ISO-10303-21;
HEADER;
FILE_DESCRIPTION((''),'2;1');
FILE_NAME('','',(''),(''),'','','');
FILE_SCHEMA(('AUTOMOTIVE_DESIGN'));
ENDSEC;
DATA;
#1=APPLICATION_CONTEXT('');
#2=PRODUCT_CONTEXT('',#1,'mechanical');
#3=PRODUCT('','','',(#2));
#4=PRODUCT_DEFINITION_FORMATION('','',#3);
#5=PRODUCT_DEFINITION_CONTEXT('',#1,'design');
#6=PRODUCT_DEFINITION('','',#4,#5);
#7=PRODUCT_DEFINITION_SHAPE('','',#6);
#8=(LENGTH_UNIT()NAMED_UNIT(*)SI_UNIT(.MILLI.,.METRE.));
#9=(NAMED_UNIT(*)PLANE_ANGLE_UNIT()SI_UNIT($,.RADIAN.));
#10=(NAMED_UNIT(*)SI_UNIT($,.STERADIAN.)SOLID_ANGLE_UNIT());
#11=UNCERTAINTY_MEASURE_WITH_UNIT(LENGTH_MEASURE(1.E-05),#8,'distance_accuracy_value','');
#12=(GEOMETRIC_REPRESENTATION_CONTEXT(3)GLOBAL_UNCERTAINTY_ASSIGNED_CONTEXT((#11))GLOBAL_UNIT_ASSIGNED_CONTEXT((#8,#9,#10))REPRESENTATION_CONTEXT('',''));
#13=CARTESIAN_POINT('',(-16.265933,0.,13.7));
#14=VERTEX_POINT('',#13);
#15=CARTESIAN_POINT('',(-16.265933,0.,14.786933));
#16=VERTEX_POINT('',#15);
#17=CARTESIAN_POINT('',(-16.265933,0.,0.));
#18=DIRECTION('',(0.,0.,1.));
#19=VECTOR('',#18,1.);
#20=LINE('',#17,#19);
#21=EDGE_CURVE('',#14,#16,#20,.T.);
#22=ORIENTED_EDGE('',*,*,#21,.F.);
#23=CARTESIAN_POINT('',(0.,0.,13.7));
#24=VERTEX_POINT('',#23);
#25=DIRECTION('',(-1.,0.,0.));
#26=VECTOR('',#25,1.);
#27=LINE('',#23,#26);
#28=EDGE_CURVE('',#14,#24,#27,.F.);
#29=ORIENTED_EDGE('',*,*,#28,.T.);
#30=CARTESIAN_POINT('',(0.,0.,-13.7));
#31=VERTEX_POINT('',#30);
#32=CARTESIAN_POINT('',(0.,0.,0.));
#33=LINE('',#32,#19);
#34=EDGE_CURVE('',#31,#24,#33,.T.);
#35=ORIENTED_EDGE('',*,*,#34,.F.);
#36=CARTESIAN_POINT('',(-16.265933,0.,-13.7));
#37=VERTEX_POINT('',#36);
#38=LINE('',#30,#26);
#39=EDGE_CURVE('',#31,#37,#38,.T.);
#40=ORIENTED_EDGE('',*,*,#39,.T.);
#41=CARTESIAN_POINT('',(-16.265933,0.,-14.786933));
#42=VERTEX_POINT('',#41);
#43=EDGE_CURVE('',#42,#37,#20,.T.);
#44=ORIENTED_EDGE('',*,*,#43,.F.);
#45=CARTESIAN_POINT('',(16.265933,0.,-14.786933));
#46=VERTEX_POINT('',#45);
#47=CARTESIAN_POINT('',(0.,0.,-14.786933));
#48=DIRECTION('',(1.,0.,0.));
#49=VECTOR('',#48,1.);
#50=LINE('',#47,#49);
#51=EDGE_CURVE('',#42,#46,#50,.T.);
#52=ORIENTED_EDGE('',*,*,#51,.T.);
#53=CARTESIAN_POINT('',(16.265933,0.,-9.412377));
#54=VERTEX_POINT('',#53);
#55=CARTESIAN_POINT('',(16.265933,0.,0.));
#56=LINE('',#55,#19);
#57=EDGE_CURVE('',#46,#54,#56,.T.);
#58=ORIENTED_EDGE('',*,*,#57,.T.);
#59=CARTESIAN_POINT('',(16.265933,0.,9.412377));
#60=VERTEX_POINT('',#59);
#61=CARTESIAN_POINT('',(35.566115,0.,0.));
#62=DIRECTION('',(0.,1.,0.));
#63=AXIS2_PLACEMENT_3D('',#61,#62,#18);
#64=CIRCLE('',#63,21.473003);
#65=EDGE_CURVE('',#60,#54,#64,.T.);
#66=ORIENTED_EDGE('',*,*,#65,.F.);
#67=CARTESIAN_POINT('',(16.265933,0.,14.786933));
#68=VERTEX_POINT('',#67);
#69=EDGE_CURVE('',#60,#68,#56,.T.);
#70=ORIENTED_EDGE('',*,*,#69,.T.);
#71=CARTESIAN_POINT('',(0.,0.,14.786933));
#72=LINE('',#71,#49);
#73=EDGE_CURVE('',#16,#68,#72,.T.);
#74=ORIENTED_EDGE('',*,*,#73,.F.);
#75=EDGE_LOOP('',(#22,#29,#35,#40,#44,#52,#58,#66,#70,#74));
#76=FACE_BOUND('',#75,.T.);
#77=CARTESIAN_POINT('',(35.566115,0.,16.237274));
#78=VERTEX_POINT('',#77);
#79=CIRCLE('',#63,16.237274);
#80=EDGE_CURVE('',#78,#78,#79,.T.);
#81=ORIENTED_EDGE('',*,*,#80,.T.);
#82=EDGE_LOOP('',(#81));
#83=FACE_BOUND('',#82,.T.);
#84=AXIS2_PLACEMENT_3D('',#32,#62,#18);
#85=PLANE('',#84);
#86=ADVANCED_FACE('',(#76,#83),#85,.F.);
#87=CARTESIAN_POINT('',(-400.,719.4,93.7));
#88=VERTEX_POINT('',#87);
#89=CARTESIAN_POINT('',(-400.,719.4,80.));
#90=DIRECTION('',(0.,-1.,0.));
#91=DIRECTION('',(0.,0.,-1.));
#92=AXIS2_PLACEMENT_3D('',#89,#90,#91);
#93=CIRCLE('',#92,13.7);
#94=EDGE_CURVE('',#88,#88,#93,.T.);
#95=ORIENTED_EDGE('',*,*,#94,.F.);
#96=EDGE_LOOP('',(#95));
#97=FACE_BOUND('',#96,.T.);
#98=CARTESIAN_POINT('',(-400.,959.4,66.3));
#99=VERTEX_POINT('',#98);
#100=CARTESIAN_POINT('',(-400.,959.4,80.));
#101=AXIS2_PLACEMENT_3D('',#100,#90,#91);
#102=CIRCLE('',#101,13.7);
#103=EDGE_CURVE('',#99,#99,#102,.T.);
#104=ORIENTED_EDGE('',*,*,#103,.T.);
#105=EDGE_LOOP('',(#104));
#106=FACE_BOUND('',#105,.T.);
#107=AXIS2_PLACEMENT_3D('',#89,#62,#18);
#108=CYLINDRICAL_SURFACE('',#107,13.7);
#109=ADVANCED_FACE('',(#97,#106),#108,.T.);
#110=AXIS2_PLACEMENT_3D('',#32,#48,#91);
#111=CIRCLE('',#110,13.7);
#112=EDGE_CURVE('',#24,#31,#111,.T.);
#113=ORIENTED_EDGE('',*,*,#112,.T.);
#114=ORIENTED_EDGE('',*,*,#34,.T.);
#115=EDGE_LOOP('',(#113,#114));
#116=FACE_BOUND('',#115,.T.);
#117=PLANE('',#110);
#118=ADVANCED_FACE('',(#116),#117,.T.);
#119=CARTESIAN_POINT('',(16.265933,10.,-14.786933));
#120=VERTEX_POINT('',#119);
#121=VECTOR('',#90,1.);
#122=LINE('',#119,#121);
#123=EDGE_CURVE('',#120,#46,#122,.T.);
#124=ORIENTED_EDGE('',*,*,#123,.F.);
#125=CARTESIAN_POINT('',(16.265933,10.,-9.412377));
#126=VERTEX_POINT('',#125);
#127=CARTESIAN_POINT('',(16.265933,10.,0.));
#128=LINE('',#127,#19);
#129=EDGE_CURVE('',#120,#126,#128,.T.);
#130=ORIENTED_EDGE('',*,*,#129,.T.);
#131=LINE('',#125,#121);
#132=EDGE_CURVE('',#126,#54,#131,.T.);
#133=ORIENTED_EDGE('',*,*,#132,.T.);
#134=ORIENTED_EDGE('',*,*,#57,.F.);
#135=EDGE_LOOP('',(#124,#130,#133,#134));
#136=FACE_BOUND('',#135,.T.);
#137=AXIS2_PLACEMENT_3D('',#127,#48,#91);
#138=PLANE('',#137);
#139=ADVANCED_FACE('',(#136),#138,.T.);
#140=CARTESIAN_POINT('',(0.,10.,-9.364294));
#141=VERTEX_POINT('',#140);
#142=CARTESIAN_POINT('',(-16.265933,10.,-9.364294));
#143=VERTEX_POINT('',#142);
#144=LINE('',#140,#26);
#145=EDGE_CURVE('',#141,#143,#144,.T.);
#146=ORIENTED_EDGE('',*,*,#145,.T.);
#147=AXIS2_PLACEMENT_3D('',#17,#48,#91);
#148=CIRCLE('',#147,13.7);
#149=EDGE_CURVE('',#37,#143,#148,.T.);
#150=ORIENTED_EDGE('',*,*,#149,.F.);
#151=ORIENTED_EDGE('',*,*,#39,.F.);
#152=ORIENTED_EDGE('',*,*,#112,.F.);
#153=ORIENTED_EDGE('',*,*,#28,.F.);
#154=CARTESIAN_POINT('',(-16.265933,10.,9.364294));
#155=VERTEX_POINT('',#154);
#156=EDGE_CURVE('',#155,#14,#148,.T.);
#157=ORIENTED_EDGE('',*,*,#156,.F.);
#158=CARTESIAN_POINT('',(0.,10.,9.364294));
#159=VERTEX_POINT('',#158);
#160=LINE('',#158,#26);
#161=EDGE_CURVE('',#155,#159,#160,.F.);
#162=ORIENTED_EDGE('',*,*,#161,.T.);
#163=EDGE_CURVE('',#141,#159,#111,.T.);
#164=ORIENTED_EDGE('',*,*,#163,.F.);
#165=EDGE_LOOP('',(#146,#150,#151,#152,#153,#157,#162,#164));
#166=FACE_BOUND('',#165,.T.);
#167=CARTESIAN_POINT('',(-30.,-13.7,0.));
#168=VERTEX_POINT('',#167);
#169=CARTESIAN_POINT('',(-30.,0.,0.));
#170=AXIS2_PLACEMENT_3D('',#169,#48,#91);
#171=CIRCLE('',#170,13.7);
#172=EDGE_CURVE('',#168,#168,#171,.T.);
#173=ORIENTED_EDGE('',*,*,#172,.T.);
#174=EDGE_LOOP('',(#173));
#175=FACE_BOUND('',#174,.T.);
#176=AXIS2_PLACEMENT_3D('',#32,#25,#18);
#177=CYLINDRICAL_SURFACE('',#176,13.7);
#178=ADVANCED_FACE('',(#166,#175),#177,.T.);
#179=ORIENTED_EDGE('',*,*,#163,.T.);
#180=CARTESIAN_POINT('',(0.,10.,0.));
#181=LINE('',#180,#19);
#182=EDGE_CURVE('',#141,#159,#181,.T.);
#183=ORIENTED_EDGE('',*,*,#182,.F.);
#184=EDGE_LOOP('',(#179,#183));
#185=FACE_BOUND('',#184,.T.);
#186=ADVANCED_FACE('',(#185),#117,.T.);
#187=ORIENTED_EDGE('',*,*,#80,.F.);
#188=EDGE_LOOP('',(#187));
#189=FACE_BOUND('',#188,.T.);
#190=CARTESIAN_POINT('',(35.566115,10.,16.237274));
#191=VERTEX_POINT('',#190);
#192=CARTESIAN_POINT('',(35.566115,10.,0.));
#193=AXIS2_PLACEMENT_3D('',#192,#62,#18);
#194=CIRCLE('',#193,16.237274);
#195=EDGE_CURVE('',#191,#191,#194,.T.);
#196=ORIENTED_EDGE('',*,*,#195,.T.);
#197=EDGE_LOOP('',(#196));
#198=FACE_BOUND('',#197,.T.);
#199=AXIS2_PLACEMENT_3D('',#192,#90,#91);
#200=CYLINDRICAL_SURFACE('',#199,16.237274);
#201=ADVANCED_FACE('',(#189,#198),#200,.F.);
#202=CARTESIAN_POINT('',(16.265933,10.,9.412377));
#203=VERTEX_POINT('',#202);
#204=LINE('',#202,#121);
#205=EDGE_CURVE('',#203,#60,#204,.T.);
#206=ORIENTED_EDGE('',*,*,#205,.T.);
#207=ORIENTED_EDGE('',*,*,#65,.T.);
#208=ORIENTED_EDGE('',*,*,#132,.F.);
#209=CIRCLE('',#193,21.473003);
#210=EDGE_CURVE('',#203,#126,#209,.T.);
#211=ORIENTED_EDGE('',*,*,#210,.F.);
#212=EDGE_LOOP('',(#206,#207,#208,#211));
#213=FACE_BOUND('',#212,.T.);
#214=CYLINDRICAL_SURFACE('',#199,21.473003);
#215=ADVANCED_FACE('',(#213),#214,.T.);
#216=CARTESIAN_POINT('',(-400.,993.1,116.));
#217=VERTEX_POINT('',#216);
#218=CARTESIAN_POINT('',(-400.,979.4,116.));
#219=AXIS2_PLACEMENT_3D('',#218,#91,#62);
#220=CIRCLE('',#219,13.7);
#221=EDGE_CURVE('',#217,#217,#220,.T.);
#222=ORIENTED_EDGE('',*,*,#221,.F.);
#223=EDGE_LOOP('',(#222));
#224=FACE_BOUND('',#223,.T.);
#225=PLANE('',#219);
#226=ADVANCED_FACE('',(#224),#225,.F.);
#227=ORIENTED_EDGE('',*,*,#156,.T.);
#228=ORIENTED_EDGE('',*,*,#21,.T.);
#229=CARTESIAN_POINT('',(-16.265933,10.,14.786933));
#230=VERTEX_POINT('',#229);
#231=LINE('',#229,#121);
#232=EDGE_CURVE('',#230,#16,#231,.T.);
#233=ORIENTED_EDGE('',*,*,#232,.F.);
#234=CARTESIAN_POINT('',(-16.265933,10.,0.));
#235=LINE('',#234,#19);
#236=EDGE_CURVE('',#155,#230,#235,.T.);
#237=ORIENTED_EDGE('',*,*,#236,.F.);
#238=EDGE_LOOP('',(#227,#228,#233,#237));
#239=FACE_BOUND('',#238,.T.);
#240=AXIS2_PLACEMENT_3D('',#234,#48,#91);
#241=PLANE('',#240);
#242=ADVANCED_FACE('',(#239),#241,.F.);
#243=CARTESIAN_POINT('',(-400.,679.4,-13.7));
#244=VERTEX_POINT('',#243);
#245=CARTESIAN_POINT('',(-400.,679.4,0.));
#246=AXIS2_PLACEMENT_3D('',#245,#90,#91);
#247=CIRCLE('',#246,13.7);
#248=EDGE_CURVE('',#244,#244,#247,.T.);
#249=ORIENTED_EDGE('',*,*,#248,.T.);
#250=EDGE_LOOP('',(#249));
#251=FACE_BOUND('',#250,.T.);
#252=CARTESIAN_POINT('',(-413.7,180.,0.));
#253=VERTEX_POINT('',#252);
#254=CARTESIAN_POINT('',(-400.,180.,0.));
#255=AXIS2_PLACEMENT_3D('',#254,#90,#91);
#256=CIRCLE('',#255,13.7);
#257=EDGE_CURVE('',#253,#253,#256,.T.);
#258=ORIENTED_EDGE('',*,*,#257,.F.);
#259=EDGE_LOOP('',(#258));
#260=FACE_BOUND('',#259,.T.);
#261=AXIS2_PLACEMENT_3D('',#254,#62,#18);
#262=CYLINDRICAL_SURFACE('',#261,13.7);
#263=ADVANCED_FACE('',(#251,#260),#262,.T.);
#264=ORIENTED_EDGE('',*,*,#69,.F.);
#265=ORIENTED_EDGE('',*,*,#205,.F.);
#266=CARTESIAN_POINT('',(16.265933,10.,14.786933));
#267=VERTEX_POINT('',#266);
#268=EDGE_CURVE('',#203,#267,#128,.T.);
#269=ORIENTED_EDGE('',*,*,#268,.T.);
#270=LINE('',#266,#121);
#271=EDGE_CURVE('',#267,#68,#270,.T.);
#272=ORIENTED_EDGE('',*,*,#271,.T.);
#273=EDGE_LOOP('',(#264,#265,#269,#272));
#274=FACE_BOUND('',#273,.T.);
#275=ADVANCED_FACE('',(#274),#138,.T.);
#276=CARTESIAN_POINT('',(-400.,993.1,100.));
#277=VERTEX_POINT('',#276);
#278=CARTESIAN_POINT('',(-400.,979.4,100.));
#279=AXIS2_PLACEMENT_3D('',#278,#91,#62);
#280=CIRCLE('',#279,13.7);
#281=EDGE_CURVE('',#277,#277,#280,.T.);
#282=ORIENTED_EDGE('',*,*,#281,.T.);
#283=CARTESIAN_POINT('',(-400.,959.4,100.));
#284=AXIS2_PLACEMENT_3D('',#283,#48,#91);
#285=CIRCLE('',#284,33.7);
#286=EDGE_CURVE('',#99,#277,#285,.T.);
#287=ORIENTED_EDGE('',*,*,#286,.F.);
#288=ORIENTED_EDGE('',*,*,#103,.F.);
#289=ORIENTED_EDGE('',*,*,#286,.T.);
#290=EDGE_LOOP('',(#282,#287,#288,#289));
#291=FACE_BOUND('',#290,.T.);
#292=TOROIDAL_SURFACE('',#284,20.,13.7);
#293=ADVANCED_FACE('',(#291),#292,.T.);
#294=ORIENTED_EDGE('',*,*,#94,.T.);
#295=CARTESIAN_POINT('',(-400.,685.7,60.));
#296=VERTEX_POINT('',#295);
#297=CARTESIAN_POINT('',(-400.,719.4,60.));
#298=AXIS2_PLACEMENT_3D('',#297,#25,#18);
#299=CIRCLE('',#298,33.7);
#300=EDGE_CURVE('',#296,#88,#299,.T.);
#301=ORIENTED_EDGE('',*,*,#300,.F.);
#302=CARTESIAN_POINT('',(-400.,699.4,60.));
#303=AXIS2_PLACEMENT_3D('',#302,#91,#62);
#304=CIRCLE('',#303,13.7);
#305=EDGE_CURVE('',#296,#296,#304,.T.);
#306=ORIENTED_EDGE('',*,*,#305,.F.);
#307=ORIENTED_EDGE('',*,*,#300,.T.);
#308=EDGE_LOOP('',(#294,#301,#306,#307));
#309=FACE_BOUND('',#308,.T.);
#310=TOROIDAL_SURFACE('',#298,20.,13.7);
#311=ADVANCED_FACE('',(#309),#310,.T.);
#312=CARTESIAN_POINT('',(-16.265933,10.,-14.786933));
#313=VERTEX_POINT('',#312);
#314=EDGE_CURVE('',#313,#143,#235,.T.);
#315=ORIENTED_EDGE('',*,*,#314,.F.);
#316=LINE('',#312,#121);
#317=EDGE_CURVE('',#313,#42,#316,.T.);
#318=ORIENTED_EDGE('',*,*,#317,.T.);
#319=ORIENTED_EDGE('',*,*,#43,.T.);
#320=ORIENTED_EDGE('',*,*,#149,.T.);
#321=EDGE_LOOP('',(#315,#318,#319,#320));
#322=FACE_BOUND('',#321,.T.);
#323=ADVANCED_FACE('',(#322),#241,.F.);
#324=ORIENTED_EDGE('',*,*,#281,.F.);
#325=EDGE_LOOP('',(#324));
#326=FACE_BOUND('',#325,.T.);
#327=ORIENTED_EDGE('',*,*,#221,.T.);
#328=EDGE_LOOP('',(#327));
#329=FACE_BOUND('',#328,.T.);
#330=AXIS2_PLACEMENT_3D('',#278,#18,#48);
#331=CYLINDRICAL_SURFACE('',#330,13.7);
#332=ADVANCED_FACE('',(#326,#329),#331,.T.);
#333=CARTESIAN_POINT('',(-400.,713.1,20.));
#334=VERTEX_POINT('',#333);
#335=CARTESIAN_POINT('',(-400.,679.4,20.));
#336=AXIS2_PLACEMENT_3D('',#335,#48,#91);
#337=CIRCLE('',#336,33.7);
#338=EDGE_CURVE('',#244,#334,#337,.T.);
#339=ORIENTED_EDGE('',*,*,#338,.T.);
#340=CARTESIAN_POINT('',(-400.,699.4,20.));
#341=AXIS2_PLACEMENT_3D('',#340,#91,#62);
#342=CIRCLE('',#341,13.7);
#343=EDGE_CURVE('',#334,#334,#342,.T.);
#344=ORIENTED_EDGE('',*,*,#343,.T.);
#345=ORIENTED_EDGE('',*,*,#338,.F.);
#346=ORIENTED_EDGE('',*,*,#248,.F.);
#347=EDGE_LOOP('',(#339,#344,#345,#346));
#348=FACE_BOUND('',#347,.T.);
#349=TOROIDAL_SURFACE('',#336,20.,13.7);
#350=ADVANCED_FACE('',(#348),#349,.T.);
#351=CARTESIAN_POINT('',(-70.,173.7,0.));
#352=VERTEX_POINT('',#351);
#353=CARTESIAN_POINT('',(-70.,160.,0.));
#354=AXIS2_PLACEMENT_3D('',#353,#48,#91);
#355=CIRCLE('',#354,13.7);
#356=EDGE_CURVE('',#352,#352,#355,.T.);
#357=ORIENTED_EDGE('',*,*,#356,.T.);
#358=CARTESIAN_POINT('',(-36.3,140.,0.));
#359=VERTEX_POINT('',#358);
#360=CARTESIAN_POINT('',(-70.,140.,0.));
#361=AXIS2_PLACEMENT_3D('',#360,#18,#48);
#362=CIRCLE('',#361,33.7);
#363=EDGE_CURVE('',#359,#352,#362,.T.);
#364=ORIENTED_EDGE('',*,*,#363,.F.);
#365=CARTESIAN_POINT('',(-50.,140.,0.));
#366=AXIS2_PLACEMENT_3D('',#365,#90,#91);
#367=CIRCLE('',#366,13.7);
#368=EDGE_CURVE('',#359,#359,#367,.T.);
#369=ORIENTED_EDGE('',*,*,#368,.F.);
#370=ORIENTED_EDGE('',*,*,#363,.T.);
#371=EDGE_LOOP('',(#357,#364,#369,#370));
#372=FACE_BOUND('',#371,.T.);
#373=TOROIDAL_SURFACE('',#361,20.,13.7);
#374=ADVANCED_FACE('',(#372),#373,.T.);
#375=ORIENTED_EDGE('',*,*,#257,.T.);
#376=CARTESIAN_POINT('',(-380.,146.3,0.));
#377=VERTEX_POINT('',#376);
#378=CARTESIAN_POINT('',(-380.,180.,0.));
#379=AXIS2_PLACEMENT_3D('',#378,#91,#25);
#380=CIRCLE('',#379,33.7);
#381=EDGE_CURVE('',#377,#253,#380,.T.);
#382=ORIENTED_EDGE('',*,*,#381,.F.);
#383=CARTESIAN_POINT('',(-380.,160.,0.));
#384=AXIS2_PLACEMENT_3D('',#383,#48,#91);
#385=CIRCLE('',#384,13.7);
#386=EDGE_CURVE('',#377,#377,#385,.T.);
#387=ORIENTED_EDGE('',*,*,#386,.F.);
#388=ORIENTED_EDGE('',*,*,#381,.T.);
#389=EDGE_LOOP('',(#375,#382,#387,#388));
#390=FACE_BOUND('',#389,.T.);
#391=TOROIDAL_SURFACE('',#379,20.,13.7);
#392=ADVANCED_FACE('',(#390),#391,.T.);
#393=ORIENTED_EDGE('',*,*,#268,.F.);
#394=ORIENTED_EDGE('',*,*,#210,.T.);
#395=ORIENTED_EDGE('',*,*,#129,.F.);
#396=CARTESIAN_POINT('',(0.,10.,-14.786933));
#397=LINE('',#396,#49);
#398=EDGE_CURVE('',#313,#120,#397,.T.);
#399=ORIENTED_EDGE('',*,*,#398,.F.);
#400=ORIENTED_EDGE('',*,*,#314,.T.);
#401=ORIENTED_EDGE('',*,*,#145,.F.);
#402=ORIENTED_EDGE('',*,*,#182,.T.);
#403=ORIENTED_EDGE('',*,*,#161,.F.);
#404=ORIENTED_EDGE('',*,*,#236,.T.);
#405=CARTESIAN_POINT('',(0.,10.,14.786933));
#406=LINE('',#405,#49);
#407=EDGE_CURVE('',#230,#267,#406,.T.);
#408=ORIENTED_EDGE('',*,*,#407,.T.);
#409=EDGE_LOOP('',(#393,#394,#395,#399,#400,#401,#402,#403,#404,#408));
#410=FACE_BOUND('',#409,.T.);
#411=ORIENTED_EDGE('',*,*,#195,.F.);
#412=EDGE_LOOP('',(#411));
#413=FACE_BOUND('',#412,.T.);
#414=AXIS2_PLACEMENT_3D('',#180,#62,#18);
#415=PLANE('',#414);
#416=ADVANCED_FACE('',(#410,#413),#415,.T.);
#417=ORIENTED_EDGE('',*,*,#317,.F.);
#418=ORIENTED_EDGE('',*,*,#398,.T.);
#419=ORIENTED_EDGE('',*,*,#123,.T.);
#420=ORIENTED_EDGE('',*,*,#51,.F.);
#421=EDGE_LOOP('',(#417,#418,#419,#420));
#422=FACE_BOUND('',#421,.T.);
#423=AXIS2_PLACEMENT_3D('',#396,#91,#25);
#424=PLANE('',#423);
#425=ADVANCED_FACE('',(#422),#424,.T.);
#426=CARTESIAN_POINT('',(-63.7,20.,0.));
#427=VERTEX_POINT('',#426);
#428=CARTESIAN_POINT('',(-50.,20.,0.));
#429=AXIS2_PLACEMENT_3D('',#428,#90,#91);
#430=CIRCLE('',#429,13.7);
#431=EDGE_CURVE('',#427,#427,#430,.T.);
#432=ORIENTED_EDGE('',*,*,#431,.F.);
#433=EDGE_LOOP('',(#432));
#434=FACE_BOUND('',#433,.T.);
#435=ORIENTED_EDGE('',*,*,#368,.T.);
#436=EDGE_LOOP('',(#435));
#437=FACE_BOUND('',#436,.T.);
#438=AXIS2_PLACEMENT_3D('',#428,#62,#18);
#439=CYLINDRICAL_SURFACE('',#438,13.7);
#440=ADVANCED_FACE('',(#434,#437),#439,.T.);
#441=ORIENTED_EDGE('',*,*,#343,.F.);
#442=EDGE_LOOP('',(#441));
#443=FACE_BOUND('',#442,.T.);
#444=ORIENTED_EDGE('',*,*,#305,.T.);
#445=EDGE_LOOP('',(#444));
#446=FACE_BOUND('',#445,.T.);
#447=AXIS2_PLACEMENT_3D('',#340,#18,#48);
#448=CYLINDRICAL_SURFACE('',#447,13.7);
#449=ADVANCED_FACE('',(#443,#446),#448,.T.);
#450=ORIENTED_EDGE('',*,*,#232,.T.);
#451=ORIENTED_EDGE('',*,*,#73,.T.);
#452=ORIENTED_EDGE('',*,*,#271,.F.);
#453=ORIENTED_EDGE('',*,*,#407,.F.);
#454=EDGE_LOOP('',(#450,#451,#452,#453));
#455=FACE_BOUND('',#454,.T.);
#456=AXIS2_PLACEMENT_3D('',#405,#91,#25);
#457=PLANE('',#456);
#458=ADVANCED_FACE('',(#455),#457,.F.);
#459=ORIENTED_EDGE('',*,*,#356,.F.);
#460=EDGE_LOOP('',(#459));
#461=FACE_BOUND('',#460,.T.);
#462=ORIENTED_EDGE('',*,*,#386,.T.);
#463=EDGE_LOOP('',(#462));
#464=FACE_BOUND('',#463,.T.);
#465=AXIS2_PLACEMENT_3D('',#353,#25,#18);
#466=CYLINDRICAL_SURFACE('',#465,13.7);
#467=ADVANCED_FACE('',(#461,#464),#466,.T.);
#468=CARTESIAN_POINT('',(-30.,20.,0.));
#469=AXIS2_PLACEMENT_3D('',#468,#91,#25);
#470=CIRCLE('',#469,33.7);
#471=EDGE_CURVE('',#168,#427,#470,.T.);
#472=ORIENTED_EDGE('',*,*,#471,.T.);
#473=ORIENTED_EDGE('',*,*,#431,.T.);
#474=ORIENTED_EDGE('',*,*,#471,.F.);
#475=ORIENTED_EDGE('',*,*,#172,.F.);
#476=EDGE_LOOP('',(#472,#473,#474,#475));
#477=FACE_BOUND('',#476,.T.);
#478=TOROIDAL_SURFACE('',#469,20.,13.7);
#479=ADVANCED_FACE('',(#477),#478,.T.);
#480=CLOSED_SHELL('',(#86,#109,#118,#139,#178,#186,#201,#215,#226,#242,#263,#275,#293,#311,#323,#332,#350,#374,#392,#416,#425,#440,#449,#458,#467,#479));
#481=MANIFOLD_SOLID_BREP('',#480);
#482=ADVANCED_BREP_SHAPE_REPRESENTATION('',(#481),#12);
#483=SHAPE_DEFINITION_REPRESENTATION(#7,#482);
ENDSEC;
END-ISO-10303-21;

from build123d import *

# Parameters (mm, degrees)
CROQUIS1_R              = 13.7
CROQUIS2_R              = 21.4730032
CROQUIS2_R_2            = 16.237273766
SALIENTE_EXTRUIR1_DEPTH = 10


with BuildPart() as part:
    # Barrer1: sweep along a curve in space
    with BuildLine() as barrer1_path:
        Line((0, 0, 0), (-30, 0, 0))
        ThreePointArc((-30, 0, 0), (-44.142135624, 5.857864376, 0), (-50, 20, 0))
        Line((-50, 20, 0), (-50, 140, 0))
        ThreePointArc((-50, 140, 0), (-55.857864376, 154.142135624, 0), (-70, 160, 0))
        Line((-70, 160, 0), (-380, 160, 0))
        ThreePointArc((-380, 160, 0), (-394.142135624, 165.857864376, 0), (-400, 180, 0))
        Line((-400, 180, 0), (-400, 679.4, 0))
        ThreePointArc((-400, 679.4, 0), (-400, 693.542135624, 5.857864376), (-400, 699.4, 20))
        Line((-400, 699.4, 20), (-400, 699.4, 60))
        ThreePointArc((-400, 699.4, 60), (-400, 705.257864376, 74.142135624), (-400, 719.4, 80))
        Line((-400, 719.4, 80), (-400, 959.4, 80))
        ThreePointArc((-400, 959.4, 80), (-400, 973.542135624, 85.857864376), (-400, 979.4, 100))
        Line((-400, 979.4, 100), (-400, 979.4, 116))
    # Croquis1 → Barrer1 (sweep)
    with BuildSketch(Plane(origin=(0, 0, 0), x_dir=(0, 0, -1), z_dir=(1, 0, 0))):
        Circle(CROQUIS1_R)
    sweep(path=barrer1_path.line)

    # Croquis2 → Saliente-Extruir1 (add)
    with BuildSketch(Plane(origin=(0, 0, 0), x_dir=(1, 0, 0), z_dir=(0, 1, 0))):
        with BuildLine():
            Line((16.265932776, -14.786933088), (16.265932776, -9.412377025))
            ThreePointArc((16.265932776, -9.412377025), (14.093111574, 0), (16.265932776, 9.412377025))
            Line((16.265932776, 9.412377025), (16.265932776, 14.786933088))
            Line((16.265932776, 14.786933088), (-16.265932776, 14.786933088))
            Line((-16.265932776, 14.786933088), (-16.265932776, -14.786933088))
            Line((-16.265932776, -14.786933088), (16.265932776, -14.786933088))
        make_face()
        with Locations((35.566114774, 0)):
            Circle(CROQUIS2_R)
        with Locations((35.566114774, 0)):
            Circle(CROQUIS2_R_2, mode=Mode.SUBTRACT)
    extrude(amount=SALIENTE_EXTRUIR1_DEPTH)


solid = part.part
